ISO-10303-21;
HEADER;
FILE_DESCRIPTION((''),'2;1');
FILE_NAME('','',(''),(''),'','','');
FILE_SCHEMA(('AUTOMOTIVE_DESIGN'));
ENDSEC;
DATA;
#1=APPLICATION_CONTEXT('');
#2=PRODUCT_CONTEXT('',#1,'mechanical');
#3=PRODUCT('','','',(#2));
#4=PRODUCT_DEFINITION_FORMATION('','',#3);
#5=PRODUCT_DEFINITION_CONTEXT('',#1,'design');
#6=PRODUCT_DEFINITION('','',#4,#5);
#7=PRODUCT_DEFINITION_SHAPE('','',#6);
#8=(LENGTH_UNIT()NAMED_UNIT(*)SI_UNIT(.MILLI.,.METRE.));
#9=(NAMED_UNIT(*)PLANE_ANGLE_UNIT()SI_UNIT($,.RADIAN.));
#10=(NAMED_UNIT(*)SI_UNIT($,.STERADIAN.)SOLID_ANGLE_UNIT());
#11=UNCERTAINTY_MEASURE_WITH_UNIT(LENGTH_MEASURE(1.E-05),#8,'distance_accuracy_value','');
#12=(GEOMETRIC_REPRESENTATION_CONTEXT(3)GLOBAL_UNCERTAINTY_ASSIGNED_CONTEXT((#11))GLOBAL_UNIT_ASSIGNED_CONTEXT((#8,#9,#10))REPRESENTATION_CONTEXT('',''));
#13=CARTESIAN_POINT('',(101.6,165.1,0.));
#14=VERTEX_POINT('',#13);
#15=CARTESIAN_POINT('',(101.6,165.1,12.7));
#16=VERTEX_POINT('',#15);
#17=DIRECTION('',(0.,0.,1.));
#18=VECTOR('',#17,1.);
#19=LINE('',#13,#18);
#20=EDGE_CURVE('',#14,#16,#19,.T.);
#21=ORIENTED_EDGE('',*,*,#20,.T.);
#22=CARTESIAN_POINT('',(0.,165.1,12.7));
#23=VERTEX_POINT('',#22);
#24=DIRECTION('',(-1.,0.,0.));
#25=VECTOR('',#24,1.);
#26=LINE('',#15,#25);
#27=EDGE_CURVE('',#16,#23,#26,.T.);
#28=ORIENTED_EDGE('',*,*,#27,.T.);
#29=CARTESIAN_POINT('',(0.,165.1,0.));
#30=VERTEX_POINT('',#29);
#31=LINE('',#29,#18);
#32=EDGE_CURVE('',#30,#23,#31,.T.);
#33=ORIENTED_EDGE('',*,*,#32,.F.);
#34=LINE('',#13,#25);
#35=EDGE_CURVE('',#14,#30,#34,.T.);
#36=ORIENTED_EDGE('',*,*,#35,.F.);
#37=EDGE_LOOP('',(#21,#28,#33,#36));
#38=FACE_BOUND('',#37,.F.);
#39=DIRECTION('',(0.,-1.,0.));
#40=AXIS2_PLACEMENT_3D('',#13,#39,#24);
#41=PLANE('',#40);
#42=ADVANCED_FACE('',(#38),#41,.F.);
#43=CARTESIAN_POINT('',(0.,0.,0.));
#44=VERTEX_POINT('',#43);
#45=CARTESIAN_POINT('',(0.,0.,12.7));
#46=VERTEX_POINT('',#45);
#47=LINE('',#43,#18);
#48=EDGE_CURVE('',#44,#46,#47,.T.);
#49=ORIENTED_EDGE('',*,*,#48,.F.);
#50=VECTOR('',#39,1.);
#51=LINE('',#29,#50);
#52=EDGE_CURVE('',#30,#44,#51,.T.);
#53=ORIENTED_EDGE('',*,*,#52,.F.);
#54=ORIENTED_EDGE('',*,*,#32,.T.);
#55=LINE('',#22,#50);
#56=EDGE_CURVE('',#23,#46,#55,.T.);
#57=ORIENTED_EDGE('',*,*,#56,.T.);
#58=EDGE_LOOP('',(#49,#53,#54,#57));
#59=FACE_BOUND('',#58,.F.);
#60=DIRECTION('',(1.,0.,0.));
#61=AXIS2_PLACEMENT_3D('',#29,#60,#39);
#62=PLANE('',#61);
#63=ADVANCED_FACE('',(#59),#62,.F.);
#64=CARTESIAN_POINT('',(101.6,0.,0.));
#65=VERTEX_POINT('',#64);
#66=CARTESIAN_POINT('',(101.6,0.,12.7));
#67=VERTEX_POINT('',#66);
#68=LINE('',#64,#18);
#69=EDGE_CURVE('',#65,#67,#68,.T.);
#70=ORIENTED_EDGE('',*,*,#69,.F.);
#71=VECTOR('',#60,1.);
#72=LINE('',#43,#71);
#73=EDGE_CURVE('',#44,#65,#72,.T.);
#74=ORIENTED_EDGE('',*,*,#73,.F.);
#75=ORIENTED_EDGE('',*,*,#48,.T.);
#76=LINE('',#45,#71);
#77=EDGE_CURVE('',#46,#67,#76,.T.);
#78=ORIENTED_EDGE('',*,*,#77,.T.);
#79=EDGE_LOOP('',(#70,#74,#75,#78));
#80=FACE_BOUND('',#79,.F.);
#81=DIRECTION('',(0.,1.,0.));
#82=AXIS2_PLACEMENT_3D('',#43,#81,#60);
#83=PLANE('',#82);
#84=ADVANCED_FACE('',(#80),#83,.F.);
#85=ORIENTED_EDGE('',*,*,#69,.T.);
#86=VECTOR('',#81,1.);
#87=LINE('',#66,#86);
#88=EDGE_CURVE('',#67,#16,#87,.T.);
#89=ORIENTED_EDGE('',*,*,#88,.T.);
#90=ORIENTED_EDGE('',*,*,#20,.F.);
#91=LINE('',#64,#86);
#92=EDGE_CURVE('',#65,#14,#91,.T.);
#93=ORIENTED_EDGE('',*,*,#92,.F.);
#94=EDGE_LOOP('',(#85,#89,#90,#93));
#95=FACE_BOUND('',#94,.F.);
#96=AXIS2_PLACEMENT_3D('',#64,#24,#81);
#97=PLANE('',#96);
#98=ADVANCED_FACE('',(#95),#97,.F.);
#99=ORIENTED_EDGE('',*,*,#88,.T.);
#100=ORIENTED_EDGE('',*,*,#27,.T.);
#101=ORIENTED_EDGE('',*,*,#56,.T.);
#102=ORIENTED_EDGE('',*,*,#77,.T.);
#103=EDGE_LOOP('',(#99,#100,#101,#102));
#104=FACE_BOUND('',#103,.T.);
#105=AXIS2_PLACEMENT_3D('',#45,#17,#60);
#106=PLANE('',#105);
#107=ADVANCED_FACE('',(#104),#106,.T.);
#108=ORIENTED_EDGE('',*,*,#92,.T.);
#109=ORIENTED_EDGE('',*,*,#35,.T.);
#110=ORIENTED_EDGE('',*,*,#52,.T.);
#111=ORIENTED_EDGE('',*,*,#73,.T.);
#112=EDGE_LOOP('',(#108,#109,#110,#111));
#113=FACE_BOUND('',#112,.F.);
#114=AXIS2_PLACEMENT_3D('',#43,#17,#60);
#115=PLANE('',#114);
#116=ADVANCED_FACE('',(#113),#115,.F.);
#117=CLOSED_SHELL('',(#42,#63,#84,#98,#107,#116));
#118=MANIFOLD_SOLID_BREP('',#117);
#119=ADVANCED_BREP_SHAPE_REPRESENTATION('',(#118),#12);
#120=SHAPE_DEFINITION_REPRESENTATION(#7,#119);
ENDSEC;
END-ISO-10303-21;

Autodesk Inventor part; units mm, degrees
ref_plane "YZ Plane" through (0, 0, 0) normal (1, 0, 0) x (0, 1, 0)
ref_plane "XZ Plane" through (0, 0, 0) normal (0, 1, 0) x (-1, 0, 0)
ref_plane "XY Plane" through (0, 0, 0) normal (0, 0, 1) x (1, 0, 0)
sketch "Sketch1" plane through (0, 0, 0) normal (0, 0, 1) x (1, 0, 0)
  line L0 (0, 0) -> (101.6, 0)
  line L1 (101.6, 0) -> (101.6, 165.1)
  line L2 (101.6, 165.1) -> (0, 165.1)
  line L3 (0, 165.1) -> (0, 0)
  dimension "d0" = 101.6
  dimension "d1" = 165.1
extrude "Extrusion1" add sketch "Sketch1" along normal blind 12.7
properties part number "4x6.5 PCB"
